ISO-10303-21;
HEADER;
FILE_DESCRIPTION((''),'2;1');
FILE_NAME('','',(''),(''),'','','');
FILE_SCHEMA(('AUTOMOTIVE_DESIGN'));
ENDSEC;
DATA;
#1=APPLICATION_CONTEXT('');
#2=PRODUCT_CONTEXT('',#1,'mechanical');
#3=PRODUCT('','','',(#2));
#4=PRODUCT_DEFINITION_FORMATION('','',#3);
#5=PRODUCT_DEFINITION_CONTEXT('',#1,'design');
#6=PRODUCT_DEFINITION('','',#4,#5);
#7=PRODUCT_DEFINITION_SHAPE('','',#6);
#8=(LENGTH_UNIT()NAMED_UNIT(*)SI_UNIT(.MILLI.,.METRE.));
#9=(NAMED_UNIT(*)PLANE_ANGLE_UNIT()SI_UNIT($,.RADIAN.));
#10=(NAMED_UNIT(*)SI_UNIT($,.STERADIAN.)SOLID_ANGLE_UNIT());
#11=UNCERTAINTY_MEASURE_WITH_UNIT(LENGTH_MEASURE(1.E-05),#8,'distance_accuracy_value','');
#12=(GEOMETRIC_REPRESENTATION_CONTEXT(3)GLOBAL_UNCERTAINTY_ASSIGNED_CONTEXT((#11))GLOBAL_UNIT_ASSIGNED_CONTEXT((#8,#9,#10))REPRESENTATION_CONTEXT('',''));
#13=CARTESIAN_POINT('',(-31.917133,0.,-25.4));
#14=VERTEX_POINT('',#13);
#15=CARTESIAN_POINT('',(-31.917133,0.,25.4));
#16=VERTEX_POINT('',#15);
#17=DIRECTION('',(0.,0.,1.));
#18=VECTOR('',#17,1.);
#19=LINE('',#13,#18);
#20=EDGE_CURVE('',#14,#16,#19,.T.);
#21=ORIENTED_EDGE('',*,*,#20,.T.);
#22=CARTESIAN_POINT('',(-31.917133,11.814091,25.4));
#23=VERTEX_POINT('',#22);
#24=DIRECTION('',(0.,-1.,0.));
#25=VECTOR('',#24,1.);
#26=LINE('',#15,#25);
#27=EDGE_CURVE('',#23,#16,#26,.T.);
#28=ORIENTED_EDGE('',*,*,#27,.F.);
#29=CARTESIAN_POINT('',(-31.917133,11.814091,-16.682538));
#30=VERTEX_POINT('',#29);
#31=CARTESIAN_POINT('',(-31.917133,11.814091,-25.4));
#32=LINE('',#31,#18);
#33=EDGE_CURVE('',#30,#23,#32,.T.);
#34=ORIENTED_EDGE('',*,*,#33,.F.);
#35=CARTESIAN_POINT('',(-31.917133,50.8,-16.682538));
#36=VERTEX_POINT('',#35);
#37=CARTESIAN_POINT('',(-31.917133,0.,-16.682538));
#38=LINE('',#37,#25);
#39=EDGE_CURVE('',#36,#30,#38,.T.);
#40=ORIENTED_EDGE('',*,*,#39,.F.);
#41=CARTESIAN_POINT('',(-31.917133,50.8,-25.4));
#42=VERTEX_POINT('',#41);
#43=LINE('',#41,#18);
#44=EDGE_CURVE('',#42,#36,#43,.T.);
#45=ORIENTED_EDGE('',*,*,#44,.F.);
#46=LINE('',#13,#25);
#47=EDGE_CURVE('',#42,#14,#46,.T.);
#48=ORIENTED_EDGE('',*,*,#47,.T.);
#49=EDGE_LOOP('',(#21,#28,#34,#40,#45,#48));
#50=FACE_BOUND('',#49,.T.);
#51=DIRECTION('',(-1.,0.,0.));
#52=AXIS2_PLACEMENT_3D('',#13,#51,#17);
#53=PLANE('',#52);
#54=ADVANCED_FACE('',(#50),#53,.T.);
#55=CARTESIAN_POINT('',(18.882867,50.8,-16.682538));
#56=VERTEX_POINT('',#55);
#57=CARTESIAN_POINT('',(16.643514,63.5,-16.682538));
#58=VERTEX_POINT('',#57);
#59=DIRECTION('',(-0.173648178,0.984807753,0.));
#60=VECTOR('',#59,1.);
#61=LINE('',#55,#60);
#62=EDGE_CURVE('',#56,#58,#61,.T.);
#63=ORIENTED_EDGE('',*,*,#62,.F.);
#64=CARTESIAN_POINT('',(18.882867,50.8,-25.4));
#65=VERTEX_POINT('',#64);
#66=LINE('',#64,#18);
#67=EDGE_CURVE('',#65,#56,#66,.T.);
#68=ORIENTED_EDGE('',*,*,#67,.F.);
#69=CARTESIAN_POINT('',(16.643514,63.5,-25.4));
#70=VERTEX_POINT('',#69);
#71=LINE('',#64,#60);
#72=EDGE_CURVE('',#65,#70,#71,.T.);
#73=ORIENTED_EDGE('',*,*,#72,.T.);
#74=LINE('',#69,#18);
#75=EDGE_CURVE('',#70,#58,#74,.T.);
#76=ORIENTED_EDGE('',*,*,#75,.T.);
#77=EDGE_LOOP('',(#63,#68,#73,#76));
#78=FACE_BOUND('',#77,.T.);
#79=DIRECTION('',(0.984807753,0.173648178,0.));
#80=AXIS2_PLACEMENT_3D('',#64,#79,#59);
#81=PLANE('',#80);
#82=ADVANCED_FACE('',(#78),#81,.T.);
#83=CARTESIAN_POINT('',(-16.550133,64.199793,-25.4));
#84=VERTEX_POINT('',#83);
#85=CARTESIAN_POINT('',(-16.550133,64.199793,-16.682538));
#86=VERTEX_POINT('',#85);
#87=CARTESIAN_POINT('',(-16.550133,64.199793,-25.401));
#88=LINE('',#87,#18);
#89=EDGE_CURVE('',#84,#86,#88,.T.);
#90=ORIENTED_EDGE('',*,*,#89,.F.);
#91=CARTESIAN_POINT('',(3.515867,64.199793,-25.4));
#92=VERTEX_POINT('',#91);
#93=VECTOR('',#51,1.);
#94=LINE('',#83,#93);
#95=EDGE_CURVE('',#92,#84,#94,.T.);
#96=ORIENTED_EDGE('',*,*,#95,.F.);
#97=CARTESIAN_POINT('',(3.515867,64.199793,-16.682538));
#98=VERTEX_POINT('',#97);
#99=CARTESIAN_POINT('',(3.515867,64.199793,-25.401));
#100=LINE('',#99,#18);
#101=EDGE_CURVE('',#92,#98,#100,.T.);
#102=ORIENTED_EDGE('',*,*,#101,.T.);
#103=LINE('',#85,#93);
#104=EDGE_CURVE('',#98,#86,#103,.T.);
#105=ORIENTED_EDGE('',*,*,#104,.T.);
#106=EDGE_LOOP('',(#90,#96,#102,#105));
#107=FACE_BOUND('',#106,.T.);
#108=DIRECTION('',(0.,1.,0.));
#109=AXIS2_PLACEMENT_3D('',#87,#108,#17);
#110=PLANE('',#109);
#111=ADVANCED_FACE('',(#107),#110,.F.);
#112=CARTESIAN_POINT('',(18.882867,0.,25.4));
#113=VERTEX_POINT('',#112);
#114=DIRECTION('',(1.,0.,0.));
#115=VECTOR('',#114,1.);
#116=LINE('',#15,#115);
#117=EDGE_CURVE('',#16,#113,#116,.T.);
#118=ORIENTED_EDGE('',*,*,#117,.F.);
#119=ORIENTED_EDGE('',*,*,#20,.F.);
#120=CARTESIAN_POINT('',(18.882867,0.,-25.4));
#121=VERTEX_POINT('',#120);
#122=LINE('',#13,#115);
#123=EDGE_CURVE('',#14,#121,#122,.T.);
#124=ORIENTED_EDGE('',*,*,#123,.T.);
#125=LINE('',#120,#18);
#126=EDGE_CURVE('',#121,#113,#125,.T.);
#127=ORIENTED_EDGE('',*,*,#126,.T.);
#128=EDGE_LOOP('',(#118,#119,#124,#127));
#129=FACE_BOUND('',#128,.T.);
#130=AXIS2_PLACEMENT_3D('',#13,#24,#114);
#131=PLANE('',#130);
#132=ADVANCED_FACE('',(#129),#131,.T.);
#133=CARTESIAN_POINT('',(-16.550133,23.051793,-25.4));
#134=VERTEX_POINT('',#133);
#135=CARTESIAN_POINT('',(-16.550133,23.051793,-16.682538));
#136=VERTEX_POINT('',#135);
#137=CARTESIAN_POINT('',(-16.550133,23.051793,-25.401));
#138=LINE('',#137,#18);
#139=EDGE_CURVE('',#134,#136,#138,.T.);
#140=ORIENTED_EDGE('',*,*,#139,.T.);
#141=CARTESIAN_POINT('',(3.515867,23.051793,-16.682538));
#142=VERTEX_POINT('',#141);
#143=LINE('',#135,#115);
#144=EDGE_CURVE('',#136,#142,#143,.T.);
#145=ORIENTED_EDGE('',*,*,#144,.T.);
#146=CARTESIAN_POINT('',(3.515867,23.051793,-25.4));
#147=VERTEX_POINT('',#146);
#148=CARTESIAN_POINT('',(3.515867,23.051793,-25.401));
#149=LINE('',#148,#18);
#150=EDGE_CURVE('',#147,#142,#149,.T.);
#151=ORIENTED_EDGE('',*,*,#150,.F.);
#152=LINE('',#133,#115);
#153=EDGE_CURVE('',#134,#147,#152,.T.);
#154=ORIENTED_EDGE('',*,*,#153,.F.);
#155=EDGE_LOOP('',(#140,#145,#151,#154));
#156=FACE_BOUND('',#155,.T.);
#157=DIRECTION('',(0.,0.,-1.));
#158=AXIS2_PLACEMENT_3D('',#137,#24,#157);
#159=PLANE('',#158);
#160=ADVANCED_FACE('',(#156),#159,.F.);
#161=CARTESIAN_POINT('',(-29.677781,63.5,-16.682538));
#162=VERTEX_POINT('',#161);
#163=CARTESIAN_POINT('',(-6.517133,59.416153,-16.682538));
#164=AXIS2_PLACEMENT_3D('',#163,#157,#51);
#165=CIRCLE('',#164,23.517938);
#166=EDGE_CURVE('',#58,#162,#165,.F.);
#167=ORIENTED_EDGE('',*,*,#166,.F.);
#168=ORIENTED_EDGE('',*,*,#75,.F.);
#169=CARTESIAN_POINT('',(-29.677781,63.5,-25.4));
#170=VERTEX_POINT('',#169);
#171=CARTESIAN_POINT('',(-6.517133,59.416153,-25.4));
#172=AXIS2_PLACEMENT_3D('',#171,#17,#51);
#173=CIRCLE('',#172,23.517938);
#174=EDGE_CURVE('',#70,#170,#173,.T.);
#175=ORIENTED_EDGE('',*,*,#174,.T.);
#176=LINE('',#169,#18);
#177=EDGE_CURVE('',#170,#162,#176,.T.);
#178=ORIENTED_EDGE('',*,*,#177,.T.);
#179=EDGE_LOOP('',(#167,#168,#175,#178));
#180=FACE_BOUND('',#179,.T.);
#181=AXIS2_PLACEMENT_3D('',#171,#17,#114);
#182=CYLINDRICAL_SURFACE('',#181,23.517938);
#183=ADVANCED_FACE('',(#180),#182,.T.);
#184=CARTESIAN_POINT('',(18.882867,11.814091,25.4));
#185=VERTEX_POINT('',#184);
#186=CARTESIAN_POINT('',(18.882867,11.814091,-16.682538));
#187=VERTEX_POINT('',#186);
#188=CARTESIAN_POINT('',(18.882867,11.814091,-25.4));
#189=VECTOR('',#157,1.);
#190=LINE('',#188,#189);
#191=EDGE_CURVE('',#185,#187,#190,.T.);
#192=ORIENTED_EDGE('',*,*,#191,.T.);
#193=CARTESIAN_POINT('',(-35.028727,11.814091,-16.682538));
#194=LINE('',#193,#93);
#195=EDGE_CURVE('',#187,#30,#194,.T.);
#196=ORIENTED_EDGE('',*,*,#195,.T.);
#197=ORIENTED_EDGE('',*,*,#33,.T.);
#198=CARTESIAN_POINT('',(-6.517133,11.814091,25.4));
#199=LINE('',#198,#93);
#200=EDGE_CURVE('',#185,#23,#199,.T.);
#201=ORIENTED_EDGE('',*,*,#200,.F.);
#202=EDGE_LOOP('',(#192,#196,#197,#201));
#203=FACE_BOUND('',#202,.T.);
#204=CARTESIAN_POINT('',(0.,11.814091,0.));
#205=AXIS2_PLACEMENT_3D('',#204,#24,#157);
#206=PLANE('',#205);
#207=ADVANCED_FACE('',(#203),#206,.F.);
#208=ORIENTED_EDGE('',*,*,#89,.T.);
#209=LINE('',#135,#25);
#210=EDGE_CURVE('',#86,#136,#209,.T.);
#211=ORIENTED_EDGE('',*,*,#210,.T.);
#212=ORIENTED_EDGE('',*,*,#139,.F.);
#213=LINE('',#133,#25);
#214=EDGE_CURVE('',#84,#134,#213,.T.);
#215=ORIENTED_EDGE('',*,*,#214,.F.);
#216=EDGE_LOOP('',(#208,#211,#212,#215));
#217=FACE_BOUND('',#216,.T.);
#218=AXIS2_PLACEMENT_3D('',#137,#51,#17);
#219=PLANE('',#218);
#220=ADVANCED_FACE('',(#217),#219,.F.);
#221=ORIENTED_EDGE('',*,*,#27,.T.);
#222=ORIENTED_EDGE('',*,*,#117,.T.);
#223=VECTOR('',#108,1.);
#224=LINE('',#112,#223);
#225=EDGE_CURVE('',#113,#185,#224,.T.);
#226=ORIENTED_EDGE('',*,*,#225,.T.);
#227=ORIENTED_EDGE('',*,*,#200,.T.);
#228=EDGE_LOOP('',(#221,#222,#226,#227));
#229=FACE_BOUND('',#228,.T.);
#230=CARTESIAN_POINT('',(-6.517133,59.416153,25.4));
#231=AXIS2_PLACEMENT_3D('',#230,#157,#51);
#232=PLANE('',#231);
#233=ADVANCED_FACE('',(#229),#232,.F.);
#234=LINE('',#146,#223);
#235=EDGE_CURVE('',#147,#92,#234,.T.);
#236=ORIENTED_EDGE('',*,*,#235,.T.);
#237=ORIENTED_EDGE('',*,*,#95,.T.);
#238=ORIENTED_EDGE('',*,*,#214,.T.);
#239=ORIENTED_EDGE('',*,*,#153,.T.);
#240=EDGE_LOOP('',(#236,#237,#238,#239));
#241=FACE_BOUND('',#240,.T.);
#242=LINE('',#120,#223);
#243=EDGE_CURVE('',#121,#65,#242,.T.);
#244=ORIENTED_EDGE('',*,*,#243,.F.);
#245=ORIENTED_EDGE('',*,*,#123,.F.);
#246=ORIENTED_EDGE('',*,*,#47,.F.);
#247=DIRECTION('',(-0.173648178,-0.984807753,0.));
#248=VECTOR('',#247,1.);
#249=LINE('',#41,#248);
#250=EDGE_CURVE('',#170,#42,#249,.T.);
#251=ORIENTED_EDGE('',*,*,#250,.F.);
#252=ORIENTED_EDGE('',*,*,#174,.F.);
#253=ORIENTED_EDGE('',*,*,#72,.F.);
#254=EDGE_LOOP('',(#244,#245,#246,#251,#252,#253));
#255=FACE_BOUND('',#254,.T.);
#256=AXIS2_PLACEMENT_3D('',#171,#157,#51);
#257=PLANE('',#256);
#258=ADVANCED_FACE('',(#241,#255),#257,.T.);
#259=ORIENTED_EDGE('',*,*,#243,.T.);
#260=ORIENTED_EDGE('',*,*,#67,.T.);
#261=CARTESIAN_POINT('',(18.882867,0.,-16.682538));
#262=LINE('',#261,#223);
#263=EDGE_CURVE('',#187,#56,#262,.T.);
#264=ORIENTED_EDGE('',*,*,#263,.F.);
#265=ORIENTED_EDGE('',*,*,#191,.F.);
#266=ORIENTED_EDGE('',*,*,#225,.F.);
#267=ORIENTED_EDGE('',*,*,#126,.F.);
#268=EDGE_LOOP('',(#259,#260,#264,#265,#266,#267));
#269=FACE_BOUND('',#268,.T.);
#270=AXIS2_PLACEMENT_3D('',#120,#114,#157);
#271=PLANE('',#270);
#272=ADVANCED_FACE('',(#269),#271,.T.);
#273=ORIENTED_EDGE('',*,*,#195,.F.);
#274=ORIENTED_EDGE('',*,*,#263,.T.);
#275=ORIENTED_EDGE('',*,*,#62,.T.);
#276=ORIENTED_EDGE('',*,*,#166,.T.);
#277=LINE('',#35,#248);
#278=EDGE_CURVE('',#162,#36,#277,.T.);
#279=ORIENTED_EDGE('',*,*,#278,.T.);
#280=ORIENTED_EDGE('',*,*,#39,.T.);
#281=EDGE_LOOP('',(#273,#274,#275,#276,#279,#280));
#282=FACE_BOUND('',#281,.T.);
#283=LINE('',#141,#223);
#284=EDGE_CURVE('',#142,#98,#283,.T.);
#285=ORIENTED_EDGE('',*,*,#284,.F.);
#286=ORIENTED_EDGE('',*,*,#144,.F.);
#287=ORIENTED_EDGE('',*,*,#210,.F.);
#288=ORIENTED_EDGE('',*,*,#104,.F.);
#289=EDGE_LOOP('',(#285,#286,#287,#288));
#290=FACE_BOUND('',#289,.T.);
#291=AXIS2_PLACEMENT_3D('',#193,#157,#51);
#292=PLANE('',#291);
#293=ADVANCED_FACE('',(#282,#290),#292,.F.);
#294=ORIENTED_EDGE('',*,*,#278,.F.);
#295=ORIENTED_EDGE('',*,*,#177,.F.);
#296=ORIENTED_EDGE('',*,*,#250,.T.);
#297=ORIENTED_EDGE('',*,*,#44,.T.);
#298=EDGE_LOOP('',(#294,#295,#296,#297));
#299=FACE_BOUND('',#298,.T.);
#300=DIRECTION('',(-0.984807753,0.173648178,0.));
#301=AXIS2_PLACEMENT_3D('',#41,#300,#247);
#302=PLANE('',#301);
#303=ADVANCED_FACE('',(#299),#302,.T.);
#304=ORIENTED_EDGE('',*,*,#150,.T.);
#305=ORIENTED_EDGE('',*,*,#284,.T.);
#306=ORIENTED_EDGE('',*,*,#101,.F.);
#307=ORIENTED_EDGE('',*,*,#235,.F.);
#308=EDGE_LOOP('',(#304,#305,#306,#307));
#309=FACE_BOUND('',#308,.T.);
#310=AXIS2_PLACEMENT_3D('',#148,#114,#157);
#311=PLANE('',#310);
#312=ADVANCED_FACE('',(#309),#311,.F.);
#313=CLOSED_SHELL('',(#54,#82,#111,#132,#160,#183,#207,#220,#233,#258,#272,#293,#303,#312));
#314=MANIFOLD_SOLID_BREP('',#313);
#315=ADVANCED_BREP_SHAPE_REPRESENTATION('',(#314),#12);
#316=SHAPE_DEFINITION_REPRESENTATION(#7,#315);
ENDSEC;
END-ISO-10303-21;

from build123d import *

# Parameters (mm, degrees)
BOSS_EXTRUDE2_DEPTH      = 25.4
BOSS_EXTRUDE2_DEPTH_BACK = 25.4
SKETCH5_W                = 55.996028866
SKETCH5_H                = 43.041519522
CUT_EXTRUDE2_DEPTH       = 71.12
CUT_EXTRUDE4_REACH       = 104.359
SKETCH8_W                = 20.066
SKETCH8_H                = 41.148


with BuildPart() as part:
    # Sketch3 → Boss-Extrude2 (new, two sides: drawn at the far end of the back side and taken through both)
    with BuildSketch(Plane.XY.offset(-BOSS_EXTRUDE2_DEPTH_BACK)):
        with BuildLine():
            Line((-31.917133282, 0), (18.882866718, 0))
            Line((18.882866718, 0), (18.882866718, 50.8))
            Line((18.882866718, 50.8), (16.643514063, 63.5))
            ThreePointArc((16.643514063, 63.5), (-6.517133282, 82.934090645), (-29.677780627, 63.5))
            Line((-29.677780627, 63.5), (-31.917133282, 50.8))
            Line((-31.917133282, 50.8), (-31.917133282, 0))
        make_face()
    extrude(amount=BOSS_EXTRUDE2_DEPTH + BOSS_EXTRUDE2_DEPTH_BACK)

    # Sketch5 → Cut-Extrude2 (cut)
    with BuildSketch(Plane(origin=(0, 82.934090645, 0), x_dir=(1, 0, 0), z_dir=(0, 1, 0))):
        with Locations((-7.030712477, -4.838222216)):
            Rectangle(SKETCH5_W, SKETCH5_H)
    extrude(amount=-CUT_EXTRUDE2_DEPTH, mode=Mode.SUBTRACT)

    # Sketch8 → Cut-Extrude4 (cut, up to next)
    with BuildSketch(Plane.XY.offset(25.4), mode=Mode.PRIVATE) as cut_extrude4_sk1:
        with Locations((-6.517133282, 43.625792805)):
            Rectangle(SKETCH8_W, SKETCH8_H)
    cut_extrude4_tool1 = extrude(cut_extrude4_sk1.sketch, amount=-CUT_EXTRUDE4_REACH, mode=Mode.PRIVATE) & part.part
    add(cut_extrude4_tool1.solids().sort_by_distance((-6.517133, 43.625793, 25.4))[0], mode=Mode.SUBTRACT)


solid = part.part
